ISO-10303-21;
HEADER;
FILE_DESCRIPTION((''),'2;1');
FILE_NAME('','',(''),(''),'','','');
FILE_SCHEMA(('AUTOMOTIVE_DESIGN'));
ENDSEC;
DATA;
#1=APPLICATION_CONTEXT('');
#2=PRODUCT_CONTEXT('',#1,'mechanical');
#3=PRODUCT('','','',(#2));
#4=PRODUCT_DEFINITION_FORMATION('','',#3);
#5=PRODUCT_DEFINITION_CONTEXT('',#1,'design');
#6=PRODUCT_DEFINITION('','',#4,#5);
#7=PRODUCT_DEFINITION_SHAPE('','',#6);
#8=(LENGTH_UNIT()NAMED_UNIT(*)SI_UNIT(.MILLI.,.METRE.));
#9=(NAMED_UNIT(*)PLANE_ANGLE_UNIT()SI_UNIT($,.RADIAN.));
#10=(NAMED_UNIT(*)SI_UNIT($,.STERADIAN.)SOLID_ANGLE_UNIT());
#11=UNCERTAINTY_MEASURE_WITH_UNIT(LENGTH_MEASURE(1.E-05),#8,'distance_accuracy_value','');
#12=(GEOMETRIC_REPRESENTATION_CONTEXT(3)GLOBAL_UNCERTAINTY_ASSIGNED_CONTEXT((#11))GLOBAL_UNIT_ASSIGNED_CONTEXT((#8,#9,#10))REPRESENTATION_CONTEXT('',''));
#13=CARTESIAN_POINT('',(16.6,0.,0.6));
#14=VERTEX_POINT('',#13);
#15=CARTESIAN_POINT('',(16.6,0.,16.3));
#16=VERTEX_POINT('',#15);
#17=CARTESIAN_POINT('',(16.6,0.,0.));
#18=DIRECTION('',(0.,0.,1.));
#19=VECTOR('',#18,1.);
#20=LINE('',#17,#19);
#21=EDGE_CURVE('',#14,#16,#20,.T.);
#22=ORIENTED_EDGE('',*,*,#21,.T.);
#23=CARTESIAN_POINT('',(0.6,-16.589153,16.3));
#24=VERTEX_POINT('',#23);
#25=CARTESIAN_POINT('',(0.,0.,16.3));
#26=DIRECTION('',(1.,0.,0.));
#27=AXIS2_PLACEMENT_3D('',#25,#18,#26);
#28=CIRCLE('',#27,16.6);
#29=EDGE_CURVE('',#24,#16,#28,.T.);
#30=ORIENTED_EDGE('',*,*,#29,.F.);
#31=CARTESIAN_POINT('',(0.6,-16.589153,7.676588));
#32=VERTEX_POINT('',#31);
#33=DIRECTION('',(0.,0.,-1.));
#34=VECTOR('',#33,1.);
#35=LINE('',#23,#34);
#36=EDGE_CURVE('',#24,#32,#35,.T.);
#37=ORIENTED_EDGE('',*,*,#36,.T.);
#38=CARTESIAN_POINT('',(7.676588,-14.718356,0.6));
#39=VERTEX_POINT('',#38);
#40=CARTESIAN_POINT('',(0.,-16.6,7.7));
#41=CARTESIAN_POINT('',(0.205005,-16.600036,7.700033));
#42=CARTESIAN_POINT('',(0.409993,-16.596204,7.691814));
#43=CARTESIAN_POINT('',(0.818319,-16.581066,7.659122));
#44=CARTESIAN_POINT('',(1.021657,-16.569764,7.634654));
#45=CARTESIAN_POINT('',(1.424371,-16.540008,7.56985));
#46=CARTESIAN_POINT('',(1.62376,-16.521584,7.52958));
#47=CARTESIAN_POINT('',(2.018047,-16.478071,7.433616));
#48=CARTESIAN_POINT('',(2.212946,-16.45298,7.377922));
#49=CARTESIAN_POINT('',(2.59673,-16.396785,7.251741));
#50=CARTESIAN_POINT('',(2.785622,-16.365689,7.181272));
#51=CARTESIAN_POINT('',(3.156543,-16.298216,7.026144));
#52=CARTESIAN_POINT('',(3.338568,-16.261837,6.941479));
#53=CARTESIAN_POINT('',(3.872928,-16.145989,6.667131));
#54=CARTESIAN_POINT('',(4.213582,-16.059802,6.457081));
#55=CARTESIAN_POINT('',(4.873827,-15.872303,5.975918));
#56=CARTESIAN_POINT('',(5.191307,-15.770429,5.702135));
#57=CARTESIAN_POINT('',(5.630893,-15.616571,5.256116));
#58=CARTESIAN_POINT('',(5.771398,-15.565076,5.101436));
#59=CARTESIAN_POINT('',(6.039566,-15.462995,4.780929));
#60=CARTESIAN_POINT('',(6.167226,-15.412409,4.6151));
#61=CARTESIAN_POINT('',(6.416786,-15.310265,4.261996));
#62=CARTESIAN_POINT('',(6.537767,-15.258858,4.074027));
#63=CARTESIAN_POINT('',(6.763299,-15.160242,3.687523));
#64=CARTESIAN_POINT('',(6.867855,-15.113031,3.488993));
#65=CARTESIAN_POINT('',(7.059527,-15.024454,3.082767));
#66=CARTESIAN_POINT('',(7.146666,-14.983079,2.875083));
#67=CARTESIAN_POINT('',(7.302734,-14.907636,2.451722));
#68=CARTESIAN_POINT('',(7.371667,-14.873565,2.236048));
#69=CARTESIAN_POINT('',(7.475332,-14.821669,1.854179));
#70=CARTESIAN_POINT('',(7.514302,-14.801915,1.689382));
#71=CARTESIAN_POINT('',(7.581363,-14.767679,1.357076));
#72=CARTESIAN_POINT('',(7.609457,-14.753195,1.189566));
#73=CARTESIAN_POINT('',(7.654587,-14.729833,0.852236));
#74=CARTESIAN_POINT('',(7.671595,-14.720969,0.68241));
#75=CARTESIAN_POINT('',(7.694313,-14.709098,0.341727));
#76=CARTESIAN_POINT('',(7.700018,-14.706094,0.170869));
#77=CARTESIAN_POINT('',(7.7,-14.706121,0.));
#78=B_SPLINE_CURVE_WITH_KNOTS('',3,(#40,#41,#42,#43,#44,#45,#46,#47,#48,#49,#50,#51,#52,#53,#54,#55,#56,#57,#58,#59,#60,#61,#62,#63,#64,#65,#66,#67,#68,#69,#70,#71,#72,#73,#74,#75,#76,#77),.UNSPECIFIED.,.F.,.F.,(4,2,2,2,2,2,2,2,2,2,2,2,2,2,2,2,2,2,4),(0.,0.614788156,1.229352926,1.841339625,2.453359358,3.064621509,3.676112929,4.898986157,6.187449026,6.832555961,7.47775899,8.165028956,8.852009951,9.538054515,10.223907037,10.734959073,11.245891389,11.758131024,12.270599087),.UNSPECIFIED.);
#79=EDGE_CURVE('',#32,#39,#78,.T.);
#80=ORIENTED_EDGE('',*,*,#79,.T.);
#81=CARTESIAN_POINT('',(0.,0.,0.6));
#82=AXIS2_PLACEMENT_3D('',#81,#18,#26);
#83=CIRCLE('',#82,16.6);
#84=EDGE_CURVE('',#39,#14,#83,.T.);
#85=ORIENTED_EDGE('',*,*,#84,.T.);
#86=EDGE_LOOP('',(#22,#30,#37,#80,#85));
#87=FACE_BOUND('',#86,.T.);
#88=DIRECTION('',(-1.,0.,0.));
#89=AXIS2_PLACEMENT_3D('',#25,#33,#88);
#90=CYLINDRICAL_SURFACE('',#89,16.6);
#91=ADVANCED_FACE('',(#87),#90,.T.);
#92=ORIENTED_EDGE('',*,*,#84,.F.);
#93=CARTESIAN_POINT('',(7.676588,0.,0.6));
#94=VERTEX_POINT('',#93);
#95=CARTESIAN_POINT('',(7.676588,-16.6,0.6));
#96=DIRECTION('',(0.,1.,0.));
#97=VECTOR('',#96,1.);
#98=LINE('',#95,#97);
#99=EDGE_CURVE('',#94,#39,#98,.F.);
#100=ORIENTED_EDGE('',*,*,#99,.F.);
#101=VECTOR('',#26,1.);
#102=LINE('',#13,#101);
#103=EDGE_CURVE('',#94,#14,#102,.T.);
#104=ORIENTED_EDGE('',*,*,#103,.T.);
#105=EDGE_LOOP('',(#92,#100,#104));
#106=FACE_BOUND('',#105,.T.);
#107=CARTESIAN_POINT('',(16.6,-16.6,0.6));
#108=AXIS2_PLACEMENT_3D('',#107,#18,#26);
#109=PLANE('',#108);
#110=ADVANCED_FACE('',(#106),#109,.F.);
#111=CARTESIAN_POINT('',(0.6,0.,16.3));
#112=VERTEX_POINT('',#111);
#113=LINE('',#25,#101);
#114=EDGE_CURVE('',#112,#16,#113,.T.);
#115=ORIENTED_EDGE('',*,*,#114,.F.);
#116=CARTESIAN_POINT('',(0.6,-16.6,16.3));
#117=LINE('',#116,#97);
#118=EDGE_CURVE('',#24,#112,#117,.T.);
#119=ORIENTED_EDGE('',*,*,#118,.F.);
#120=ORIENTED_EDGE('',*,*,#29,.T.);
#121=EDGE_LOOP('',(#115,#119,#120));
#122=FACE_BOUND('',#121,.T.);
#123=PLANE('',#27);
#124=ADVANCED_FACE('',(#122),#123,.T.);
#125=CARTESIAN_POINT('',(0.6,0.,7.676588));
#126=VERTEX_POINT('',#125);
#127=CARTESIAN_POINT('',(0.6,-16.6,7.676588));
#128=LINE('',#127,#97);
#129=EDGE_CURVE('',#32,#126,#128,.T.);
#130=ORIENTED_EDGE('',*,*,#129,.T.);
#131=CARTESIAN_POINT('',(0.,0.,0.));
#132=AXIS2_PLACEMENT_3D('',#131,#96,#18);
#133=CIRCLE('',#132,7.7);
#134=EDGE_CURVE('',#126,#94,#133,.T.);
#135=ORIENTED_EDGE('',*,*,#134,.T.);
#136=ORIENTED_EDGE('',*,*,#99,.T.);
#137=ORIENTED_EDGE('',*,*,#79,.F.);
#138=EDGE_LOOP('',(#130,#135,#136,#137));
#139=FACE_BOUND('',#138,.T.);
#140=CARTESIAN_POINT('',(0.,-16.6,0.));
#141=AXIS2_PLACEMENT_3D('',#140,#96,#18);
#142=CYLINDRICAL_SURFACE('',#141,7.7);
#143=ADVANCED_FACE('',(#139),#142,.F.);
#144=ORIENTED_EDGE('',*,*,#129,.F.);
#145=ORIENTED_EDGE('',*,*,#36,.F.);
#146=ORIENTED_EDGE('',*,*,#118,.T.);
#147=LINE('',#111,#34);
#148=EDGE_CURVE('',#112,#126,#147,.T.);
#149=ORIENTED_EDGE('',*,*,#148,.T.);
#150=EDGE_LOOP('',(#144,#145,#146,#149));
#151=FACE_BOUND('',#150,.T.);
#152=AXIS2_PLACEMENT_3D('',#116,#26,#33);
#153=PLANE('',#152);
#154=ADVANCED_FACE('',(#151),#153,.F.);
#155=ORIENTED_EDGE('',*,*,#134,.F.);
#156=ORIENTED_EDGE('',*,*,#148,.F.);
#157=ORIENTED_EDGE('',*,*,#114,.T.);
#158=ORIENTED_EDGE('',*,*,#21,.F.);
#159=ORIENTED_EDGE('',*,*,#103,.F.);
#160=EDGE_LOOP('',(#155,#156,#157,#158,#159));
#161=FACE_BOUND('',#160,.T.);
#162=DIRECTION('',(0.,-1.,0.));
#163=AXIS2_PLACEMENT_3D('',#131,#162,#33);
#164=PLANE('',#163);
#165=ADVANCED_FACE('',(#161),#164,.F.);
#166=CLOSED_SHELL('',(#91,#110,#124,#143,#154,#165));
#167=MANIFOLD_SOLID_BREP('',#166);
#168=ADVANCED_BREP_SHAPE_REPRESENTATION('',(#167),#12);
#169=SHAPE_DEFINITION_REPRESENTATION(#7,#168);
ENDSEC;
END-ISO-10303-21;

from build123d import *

# Parameters (mm, degrees)
SKETCH1_R           = 16.6
BOSS_EXTRUDE1_DEPTH = 16.3
CUT_EXTRUDE1_DEPTH  = 29.579888033
SKETCH3_R           = 7.7
CUT_EXTRUDE2_DEPTH  = 29.579888033
SKETCH4_W           = 0.6
SKETCH4_H           = 9.511954595
SKETCH4_W_2         = 10.341543893
SKETCH4_H_2         = 0.6
CUT_EXTRUDE3_DEPTH  = 29.579888207


with BuildPart() as part:
    # Sketch1 → Boss-Extrude1 (new body)
    with BuildSketch(Plane.XY):
        Circle(SKETCH1_R)
    extrude(amount=BOSS_EXTRUDE1_DEPTH)

    # Sketch2 → Cut-Extrude1 (cut, through all)
    with BuildSketch(Plane.XY.offset(16.3)):
        with BuildLine():
            Line((0, 0), (16.6, 0))
            ThreePointArc((16.6, 0), (-11.737972568, 11.737972568), (0, -16.6))
            Line((0, -16.6), (0, 0))
        make_face()
    extrude(amount=-CUT_EXTRUDE1_DEPTH, mode=Mode.SUBTRACT)

    # Sketch3 → Cut-Extrude2 (cut, through all)
    with BuildSketch(Plane(origin=(0, 0, 0), x_dir=(1, 0, 0), z_dir=(0, 1, 0))):
        Circle(SKETCH3_R)
    extrude(amount=-CUT_EXTRUDE2_DEPTH, mode=Mode.SUBTRACT)

    # Sketch4 → Cut-Extrude3 (cut, through all)
    with BuildSketch(Plane(origin=(0, 0, 0), x_dir=(1, 0, 0), z_dir=(0, 1, 0))):
        with Locations((0.3, -11.544022703)):
            Rectangle(SKETCH4_W, SKETCH4_H)
        with Locations((11.429228054, -0.3)):
            Rectangle(SKETCH4_W_2, SKETCH4_H_2)
    extrude(amount=-CUT_EXTRUDE3_DEPTH, mode=Mode.SUBTRACT)


solid = part.part
